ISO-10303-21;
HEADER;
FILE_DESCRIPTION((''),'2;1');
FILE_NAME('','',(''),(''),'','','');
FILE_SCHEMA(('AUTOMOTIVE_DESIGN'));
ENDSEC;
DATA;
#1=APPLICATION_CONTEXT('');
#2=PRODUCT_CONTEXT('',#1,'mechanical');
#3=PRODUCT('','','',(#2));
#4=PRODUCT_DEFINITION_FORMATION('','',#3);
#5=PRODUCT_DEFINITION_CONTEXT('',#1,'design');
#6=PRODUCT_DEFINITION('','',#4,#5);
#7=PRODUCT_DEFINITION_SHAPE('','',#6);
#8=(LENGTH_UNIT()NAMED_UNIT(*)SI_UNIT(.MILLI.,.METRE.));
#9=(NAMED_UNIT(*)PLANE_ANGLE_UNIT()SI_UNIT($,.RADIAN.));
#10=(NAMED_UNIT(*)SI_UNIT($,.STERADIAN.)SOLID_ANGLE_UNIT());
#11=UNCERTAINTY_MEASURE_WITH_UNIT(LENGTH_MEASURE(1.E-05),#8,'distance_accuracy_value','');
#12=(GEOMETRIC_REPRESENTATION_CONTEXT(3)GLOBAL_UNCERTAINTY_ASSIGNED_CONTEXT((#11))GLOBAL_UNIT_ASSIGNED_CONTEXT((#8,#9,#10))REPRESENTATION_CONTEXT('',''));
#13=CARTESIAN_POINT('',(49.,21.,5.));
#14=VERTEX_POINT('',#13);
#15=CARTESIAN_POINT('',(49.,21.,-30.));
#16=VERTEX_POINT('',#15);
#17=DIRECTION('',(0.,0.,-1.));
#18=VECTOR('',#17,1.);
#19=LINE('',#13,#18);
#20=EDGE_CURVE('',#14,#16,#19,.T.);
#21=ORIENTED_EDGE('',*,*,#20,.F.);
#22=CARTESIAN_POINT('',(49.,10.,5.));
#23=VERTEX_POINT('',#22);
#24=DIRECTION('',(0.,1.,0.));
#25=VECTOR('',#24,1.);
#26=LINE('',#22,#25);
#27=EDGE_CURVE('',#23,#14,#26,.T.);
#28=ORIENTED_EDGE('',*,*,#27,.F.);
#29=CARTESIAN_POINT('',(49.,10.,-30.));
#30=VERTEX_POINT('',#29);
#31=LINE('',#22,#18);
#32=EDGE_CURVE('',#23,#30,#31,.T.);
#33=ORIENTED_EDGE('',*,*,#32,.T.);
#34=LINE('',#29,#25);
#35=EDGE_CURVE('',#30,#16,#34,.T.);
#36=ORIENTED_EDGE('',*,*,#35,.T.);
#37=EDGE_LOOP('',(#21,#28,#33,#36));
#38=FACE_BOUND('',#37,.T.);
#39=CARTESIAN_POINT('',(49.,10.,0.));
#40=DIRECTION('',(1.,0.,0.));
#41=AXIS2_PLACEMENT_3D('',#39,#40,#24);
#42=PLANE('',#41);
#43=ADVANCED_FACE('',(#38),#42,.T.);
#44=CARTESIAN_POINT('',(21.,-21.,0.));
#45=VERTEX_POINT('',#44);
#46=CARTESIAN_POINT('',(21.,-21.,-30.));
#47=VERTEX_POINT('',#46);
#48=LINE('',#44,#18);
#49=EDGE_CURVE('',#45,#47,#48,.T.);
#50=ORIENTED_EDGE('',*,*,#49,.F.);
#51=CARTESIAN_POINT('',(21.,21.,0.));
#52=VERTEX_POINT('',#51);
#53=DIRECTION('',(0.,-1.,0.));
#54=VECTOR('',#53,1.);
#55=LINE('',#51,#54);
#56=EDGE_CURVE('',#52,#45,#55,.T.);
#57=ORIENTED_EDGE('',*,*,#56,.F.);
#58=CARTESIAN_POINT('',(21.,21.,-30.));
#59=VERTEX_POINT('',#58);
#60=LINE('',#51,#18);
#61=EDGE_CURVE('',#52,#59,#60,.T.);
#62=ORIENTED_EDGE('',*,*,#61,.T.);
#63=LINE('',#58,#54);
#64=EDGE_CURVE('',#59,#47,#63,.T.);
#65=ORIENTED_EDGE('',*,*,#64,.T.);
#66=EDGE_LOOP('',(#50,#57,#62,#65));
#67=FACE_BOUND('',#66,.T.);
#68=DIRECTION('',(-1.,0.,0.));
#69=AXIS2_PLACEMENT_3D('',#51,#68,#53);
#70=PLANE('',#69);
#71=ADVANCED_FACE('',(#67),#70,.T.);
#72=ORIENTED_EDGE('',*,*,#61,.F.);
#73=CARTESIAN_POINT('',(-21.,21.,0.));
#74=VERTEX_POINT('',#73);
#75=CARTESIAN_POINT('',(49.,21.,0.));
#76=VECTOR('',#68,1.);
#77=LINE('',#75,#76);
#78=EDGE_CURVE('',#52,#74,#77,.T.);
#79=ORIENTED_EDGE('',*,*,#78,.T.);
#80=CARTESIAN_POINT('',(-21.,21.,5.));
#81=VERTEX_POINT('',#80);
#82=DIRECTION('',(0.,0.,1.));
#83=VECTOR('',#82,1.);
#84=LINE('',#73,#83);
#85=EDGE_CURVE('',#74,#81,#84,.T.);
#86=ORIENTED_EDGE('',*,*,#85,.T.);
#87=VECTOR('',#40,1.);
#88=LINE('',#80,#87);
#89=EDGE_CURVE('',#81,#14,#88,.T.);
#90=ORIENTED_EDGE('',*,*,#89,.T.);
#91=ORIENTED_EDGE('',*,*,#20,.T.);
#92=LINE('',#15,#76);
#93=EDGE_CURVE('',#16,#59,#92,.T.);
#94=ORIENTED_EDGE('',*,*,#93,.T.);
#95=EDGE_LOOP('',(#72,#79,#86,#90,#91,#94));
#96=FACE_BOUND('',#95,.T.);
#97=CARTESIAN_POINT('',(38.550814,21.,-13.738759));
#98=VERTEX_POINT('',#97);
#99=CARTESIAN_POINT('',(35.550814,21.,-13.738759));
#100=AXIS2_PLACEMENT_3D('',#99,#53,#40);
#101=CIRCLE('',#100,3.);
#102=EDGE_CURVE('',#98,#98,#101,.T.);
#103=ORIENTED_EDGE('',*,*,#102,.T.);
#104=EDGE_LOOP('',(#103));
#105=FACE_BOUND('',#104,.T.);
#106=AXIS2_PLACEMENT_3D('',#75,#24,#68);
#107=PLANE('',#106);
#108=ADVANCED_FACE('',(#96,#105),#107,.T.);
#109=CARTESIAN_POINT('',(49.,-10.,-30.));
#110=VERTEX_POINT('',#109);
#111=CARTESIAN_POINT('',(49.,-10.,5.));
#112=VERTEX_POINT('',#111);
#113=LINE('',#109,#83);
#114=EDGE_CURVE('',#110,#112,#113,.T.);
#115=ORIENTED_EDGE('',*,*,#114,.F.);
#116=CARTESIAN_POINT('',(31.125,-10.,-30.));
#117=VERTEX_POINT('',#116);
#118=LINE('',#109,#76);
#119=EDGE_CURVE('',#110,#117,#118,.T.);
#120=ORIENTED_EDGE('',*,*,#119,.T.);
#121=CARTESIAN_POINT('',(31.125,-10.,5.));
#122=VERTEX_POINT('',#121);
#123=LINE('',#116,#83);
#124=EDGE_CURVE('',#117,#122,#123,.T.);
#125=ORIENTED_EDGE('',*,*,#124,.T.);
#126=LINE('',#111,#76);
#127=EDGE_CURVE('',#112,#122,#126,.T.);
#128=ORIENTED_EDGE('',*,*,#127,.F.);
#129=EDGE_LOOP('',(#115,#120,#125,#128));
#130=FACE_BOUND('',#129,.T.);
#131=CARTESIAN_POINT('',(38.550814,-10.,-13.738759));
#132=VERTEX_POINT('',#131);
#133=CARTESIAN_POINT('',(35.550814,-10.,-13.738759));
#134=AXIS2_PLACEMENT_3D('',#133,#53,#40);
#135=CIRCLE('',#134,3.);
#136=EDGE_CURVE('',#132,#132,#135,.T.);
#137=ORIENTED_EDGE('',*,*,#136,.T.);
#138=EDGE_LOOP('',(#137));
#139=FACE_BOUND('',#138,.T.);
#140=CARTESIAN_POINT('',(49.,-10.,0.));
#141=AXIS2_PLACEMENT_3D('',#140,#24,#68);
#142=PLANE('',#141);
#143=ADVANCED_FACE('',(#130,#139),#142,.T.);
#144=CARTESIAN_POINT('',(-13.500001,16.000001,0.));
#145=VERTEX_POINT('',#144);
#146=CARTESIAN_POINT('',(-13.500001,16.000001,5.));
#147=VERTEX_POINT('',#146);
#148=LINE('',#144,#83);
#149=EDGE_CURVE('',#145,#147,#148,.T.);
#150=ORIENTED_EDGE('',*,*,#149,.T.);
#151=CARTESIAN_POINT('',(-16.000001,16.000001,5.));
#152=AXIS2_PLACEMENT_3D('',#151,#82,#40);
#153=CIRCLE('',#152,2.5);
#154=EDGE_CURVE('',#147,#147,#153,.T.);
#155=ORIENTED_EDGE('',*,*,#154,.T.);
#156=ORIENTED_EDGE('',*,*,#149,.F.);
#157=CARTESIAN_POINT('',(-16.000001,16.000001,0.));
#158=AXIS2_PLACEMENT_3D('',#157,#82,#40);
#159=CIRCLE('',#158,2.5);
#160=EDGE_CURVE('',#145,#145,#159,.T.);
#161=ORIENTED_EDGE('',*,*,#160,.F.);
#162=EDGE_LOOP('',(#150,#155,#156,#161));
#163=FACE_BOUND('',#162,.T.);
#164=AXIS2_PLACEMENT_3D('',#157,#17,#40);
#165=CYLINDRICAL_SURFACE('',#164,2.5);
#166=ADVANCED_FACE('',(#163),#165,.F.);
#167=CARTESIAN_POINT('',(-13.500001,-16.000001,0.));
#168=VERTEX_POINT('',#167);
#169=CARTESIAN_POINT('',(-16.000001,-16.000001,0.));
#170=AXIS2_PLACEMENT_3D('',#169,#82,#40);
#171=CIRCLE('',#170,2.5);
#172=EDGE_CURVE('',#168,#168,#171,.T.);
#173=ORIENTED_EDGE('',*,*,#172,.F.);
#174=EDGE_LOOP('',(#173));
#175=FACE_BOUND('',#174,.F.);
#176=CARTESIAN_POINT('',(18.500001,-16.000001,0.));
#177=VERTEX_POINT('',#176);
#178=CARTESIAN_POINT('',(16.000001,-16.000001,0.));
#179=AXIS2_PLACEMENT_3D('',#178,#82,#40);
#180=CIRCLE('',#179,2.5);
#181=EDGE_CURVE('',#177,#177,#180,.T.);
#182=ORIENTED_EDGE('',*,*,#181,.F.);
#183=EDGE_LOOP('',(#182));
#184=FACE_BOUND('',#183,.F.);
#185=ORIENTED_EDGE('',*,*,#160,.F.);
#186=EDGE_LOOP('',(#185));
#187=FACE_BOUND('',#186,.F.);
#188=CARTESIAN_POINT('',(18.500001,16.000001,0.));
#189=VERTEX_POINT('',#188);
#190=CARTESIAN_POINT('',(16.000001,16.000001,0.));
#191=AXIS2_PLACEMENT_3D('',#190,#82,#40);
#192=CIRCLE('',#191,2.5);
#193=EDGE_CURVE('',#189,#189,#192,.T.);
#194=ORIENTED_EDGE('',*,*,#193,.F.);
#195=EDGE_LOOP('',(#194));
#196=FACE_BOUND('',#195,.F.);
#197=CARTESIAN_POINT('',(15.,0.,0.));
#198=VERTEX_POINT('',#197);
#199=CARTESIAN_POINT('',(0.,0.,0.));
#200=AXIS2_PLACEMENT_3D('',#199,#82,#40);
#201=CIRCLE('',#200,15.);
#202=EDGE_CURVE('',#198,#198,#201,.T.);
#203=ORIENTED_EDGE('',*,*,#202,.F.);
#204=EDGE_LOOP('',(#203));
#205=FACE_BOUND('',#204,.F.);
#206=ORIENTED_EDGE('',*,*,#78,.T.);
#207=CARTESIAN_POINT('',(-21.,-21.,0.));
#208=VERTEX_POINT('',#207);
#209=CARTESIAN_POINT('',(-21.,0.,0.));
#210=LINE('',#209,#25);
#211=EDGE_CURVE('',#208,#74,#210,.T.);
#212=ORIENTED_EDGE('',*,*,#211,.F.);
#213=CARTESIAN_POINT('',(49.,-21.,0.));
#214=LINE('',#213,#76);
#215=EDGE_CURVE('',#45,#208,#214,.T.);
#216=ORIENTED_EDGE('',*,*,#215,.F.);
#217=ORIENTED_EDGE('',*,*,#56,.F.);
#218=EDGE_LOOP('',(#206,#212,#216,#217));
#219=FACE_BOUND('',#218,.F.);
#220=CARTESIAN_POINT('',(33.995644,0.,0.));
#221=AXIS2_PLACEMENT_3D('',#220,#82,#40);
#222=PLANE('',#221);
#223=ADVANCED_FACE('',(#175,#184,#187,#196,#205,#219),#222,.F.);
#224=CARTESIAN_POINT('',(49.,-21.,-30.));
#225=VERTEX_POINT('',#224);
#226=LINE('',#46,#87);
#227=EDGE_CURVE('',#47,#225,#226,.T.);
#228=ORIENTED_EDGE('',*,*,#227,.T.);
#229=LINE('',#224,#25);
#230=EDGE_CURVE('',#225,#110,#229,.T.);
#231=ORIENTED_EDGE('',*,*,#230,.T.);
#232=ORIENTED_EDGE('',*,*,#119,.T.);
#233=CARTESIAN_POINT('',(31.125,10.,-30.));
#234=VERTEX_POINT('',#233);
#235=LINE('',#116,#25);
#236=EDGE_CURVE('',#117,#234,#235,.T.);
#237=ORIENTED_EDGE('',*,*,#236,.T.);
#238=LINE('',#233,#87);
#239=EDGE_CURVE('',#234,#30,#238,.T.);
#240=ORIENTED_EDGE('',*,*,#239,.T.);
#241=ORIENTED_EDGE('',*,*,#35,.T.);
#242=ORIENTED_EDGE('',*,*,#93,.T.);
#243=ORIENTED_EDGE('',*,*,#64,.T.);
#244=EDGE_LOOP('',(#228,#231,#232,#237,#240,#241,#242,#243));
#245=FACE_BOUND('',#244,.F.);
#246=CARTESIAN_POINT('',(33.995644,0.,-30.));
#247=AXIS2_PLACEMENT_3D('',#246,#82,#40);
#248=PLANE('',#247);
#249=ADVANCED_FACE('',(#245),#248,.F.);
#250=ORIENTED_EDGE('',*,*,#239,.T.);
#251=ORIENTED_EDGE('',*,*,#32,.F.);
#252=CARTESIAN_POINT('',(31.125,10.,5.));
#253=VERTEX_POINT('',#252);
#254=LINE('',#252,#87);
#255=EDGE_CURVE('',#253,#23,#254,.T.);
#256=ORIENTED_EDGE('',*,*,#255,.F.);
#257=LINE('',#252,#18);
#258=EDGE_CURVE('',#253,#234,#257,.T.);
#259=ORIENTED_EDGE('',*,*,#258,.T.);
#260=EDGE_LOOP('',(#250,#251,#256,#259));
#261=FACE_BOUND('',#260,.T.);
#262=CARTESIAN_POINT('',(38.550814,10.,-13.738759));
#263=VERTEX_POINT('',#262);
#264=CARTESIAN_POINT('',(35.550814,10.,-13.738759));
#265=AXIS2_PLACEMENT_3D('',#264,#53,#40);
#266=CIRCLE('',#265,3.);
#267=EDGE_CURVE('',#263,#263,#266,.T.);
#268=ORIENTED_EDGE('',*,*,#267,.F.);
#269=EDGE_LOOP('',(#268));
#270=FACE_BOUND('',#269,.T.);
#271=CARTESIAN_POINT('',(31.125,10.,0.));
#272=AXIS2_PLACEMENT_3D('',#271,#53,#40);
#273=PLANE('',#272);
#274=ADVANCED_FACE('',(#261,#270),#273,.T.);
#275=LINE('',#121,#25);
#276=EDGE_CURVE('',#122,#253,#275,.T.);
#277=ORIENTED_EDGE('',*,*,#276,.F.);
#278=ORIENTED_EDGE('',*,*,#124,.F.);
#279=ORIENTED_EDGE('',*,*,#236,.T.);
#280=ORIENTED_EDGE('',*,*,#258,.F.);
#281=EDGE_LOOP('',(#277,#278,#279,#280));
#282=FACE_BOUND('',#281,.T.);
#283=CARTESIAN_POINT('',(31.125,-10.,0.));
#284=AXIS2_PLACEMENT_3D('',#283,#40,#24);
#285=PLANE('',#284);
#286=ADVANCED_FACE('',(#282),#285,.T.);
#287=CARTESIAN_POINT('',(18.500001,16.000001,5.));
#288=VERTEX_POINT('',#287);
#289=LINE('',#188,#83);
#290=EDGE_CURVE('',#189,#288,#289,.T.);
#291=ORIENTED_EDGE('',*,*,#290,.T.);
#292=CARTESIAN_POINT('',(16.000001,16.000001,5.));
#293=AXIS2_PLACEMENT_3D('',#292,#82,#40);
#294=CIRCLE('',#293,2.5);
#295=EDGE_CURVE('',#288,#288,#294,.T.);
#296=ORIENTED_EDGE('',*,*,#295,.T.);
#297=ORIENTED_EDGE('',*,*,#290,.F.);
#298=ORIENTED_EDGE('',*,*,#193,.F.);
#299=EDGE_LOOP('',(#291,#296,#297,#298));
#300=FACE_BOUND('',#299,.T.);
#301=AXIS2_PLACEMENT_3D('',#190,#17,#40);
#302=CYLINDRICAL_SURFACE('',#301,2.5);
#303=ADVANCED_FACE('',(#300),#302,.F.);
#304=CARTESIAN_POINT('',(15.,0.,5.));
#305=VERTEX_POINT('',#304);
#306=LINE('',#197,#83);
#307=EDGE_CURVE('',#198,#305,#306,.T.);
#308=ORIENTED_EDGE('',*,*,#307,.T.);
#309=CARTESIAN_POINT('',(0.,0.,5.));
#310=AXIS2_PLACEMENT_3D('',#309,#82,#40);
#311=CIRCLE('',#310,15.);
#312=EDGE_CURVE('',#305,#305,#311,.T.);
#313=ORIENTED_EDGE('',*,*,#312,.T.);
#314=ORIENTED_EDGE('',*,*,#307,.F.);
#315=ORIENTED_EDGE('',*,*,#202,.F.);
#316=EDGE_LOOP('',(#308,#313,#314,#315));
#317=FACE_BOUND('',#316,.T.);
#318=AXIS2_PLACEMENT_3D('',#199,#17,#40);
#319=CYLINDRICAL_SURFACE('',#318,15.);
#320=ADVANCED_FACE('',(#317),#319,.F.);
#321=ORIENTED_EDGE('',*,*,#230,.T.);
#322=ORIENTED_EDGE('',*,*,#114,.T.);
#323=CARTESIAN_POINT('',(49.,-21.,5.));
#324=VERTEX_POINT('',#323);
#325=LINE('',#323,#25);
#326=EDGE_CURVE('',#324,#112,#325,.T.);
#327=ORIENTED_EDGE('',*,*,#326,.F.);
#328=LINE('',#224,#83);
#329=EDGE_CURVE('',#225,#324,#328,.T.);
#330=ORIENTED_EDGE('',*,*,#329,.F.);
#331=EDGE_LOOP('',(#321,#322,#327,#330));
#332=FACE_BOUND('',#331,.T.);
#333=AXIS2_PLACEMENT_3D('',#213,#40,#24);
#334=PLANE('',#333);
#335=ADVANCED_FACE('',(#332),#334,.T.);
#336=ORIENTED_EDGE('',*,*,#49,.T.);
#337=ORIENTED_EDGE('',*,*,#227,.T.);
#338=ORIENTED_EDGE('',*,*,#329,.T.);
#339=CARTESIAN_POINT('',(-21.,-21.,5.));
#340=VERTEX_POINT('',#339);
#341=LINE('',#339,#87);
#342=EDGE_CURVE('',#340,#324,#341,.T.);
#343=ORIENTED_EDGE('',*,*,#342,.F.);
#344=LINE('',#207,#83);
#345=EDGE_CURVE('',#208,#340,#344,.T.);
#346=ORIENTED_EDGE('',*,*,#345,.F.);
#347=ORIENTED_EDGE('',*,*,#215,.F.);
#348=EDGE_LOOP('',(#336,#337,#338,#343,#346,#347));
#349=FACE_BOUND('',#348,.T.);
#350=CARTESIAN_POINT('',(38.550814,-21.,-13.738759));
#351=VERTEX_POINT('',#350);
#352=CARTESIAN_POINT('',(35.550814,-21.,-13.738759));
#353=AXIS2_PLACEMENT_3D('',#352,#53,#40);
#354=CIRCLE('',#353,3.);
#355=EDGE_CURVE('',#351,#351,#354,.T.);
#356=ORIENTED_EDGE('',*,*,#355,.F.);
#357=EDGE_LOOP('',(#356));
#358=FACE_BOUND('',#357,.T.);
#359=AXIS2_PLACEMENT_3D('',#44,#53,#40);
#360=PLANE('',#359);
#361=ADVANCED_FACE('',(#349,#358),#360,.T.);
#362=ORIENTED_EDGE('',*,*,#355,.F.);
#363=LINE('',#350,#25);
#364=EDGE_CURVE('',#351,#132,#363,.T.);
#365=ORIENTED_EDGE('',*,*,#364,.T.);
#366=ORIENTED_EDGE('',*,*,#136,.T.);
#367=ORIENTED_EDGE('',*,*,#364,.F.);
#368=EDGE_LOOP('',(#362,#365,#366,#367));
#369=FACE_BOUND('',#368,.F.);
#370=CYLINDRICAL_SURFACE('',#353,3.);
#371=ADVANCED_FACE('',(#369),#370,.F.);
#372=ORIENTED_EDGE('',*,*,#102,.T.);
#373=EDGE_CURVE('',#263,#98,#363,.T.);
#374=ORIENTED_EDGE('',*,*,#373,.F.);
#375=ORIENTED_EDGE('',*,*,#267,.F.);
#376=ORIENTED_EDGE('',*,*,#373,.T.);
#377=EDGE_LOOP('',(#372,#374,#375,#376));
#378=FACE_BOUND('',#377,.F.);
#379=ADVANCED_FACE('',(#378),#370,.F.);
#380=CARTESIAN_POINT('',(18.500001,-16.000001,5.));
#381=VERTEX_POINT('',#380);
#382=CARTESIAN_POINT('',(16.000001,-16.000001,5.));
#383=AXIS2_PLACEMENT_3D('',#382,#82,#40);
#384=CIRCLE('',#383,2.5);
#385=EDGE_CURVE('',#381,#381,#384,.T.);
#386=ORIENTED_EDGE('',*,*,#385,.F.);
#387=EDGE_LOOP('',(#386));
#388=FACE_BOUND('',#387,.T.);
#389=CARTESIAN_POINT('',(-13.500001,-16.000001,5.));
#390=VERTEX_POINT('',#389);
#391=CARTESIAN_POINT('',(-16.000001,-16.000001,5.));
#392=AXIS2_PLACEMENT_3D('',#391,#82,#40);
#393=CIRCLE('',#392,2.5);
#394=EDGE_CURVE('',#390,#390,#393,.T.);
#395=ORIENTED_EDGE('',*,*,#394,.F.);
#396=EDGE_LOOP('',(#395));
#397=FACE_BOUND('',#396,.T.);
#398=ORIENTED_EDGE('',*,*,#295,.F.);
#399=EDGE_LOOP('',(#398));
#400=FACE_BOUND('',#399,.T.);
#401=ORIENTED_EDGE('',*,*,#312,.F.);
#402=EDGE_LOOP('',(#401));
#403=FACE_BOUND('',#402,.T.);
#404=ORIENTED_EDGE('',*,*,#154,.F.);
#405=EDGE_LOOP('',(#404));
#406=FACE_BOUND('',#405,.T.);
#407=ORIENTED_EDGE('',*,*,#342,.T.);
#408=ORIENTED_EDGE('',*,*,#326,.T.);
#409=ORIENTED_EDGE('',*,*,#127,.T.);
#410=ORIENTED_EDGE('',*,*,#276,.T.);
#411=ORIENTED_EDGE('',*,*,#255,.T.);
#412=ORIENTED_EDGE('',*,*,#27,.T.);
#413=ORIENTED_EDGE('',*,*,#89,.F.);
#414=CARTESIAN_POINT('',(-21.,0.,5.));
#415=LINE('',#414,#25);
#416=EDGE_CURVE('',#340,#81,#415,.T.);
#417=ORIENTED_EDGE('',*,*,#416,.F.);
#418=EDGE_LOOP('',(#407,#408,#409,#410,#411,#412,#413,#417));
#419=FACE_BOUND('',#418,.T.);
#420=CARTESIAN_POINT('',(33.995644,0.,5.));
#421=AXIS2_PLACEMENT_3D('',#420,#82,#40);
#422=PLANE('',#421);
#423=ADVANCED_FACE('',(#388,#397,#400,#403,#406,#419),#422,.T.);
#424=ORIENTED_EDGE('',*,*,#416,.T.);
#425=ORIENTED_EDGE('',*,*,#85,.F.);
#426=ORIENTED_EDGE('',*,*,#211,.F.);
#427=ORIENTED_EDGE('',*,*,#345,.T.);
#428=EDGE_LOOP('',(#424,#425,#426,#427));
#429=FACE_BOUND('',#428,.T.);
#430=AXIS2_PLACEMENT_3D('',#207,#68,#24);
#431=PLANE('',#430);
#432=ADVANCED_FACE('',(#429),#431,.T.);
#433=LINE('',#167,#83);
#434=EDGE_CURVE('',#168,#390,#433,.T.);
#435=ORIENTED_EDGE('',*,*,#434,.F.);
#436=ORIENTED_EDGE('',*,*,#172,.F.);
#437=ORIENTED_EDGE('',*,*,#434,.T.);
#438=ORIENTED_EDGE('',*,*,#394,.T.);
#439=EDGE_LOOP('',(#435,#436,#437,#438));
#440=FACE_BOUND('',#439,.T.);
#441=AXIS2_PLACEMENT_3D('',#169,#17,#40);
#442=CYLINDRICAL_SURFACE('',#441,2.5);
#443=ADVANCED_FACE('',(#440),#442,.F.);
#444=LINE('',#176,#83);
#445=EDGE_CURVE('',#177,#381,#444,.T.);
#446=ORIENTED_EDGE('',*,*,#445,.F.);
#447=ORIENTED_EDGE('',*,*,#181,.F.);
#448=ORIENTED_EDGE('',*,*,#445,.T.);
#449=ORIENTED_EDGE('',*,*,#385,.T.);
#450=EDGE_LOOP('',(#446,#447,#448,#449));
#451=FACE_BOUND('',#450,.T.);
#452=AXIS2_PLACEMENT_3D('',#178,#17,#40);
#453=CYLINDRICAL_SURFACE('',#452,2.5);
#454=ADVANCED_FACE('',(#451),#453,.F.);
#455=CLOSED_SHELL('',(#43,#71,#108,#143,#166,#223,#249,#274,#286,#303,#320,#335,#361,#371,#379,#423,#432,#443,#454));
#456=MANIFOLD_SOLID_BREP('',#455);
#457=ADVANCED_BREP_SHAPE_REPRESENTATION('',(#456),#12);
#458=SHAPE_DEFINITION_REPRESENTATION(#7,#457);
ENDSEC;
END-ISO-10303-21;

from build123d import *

# Parameters (mm, degrees)
F0_W          = 42
F0_H          = 42
F0_R          = 2.5
F0_R_2        = 15
F1_DEPTH      = 5
F2_DEPTH      = 5
F2_DEPTH_BACK = 30
F3_R          = 3
F4_DEPTH      = 50


with BuildPart() as f1:
    # F0 (on Top) → F1 (new body)
    with BuildSketch(Plane.XY):
        Rectangle(F0_W, F0_H)
        with Locations((-16.000001, -16.000001)):
            Circle(F0_R, mode=Mode.SUBTRACT)
        with Locations((16.000001, -16.000001)):
            Circle(F0_R, mode=Mode.SUBTRACT)
        Circle(F0_R_2, mode=Mode.SUBTRACT)
        with Locations((-16.000001, 16.000001)):
            Circle(F0_R, mode=Mode.SUBTRACT)
        with Locations((16.000001, 16.000001)):
            Circle(F0_R, mode=Mode.SUBTRACT)
    extrude(amount=F1_DEPTH)

    # F0 (on Top) → F2 (join, two sides)
    with BuildSketch(Plane.XY) as f2_sk:
        Polygon((49, 21), (21, 21), (21, -21), (49, -21), (49, -10), (31.125, -10), (31.125, 10), (49, 10), align=None)
    extrude(amount=F2_DEPTH)
    extrude(f2_sk.sketch, amount=-F2_DEPTH_BACK)

    # F3 (on face) → F4 (cut)
    with BuildSketch(Plane.XZ.offset(21)):
        with Locations((35.550814, -13.738759)):
            Circle(F3_R)
    extrude(amount=-F4_DEPTH, mode=Mode.SUBTRACT)


solid = f1.part
